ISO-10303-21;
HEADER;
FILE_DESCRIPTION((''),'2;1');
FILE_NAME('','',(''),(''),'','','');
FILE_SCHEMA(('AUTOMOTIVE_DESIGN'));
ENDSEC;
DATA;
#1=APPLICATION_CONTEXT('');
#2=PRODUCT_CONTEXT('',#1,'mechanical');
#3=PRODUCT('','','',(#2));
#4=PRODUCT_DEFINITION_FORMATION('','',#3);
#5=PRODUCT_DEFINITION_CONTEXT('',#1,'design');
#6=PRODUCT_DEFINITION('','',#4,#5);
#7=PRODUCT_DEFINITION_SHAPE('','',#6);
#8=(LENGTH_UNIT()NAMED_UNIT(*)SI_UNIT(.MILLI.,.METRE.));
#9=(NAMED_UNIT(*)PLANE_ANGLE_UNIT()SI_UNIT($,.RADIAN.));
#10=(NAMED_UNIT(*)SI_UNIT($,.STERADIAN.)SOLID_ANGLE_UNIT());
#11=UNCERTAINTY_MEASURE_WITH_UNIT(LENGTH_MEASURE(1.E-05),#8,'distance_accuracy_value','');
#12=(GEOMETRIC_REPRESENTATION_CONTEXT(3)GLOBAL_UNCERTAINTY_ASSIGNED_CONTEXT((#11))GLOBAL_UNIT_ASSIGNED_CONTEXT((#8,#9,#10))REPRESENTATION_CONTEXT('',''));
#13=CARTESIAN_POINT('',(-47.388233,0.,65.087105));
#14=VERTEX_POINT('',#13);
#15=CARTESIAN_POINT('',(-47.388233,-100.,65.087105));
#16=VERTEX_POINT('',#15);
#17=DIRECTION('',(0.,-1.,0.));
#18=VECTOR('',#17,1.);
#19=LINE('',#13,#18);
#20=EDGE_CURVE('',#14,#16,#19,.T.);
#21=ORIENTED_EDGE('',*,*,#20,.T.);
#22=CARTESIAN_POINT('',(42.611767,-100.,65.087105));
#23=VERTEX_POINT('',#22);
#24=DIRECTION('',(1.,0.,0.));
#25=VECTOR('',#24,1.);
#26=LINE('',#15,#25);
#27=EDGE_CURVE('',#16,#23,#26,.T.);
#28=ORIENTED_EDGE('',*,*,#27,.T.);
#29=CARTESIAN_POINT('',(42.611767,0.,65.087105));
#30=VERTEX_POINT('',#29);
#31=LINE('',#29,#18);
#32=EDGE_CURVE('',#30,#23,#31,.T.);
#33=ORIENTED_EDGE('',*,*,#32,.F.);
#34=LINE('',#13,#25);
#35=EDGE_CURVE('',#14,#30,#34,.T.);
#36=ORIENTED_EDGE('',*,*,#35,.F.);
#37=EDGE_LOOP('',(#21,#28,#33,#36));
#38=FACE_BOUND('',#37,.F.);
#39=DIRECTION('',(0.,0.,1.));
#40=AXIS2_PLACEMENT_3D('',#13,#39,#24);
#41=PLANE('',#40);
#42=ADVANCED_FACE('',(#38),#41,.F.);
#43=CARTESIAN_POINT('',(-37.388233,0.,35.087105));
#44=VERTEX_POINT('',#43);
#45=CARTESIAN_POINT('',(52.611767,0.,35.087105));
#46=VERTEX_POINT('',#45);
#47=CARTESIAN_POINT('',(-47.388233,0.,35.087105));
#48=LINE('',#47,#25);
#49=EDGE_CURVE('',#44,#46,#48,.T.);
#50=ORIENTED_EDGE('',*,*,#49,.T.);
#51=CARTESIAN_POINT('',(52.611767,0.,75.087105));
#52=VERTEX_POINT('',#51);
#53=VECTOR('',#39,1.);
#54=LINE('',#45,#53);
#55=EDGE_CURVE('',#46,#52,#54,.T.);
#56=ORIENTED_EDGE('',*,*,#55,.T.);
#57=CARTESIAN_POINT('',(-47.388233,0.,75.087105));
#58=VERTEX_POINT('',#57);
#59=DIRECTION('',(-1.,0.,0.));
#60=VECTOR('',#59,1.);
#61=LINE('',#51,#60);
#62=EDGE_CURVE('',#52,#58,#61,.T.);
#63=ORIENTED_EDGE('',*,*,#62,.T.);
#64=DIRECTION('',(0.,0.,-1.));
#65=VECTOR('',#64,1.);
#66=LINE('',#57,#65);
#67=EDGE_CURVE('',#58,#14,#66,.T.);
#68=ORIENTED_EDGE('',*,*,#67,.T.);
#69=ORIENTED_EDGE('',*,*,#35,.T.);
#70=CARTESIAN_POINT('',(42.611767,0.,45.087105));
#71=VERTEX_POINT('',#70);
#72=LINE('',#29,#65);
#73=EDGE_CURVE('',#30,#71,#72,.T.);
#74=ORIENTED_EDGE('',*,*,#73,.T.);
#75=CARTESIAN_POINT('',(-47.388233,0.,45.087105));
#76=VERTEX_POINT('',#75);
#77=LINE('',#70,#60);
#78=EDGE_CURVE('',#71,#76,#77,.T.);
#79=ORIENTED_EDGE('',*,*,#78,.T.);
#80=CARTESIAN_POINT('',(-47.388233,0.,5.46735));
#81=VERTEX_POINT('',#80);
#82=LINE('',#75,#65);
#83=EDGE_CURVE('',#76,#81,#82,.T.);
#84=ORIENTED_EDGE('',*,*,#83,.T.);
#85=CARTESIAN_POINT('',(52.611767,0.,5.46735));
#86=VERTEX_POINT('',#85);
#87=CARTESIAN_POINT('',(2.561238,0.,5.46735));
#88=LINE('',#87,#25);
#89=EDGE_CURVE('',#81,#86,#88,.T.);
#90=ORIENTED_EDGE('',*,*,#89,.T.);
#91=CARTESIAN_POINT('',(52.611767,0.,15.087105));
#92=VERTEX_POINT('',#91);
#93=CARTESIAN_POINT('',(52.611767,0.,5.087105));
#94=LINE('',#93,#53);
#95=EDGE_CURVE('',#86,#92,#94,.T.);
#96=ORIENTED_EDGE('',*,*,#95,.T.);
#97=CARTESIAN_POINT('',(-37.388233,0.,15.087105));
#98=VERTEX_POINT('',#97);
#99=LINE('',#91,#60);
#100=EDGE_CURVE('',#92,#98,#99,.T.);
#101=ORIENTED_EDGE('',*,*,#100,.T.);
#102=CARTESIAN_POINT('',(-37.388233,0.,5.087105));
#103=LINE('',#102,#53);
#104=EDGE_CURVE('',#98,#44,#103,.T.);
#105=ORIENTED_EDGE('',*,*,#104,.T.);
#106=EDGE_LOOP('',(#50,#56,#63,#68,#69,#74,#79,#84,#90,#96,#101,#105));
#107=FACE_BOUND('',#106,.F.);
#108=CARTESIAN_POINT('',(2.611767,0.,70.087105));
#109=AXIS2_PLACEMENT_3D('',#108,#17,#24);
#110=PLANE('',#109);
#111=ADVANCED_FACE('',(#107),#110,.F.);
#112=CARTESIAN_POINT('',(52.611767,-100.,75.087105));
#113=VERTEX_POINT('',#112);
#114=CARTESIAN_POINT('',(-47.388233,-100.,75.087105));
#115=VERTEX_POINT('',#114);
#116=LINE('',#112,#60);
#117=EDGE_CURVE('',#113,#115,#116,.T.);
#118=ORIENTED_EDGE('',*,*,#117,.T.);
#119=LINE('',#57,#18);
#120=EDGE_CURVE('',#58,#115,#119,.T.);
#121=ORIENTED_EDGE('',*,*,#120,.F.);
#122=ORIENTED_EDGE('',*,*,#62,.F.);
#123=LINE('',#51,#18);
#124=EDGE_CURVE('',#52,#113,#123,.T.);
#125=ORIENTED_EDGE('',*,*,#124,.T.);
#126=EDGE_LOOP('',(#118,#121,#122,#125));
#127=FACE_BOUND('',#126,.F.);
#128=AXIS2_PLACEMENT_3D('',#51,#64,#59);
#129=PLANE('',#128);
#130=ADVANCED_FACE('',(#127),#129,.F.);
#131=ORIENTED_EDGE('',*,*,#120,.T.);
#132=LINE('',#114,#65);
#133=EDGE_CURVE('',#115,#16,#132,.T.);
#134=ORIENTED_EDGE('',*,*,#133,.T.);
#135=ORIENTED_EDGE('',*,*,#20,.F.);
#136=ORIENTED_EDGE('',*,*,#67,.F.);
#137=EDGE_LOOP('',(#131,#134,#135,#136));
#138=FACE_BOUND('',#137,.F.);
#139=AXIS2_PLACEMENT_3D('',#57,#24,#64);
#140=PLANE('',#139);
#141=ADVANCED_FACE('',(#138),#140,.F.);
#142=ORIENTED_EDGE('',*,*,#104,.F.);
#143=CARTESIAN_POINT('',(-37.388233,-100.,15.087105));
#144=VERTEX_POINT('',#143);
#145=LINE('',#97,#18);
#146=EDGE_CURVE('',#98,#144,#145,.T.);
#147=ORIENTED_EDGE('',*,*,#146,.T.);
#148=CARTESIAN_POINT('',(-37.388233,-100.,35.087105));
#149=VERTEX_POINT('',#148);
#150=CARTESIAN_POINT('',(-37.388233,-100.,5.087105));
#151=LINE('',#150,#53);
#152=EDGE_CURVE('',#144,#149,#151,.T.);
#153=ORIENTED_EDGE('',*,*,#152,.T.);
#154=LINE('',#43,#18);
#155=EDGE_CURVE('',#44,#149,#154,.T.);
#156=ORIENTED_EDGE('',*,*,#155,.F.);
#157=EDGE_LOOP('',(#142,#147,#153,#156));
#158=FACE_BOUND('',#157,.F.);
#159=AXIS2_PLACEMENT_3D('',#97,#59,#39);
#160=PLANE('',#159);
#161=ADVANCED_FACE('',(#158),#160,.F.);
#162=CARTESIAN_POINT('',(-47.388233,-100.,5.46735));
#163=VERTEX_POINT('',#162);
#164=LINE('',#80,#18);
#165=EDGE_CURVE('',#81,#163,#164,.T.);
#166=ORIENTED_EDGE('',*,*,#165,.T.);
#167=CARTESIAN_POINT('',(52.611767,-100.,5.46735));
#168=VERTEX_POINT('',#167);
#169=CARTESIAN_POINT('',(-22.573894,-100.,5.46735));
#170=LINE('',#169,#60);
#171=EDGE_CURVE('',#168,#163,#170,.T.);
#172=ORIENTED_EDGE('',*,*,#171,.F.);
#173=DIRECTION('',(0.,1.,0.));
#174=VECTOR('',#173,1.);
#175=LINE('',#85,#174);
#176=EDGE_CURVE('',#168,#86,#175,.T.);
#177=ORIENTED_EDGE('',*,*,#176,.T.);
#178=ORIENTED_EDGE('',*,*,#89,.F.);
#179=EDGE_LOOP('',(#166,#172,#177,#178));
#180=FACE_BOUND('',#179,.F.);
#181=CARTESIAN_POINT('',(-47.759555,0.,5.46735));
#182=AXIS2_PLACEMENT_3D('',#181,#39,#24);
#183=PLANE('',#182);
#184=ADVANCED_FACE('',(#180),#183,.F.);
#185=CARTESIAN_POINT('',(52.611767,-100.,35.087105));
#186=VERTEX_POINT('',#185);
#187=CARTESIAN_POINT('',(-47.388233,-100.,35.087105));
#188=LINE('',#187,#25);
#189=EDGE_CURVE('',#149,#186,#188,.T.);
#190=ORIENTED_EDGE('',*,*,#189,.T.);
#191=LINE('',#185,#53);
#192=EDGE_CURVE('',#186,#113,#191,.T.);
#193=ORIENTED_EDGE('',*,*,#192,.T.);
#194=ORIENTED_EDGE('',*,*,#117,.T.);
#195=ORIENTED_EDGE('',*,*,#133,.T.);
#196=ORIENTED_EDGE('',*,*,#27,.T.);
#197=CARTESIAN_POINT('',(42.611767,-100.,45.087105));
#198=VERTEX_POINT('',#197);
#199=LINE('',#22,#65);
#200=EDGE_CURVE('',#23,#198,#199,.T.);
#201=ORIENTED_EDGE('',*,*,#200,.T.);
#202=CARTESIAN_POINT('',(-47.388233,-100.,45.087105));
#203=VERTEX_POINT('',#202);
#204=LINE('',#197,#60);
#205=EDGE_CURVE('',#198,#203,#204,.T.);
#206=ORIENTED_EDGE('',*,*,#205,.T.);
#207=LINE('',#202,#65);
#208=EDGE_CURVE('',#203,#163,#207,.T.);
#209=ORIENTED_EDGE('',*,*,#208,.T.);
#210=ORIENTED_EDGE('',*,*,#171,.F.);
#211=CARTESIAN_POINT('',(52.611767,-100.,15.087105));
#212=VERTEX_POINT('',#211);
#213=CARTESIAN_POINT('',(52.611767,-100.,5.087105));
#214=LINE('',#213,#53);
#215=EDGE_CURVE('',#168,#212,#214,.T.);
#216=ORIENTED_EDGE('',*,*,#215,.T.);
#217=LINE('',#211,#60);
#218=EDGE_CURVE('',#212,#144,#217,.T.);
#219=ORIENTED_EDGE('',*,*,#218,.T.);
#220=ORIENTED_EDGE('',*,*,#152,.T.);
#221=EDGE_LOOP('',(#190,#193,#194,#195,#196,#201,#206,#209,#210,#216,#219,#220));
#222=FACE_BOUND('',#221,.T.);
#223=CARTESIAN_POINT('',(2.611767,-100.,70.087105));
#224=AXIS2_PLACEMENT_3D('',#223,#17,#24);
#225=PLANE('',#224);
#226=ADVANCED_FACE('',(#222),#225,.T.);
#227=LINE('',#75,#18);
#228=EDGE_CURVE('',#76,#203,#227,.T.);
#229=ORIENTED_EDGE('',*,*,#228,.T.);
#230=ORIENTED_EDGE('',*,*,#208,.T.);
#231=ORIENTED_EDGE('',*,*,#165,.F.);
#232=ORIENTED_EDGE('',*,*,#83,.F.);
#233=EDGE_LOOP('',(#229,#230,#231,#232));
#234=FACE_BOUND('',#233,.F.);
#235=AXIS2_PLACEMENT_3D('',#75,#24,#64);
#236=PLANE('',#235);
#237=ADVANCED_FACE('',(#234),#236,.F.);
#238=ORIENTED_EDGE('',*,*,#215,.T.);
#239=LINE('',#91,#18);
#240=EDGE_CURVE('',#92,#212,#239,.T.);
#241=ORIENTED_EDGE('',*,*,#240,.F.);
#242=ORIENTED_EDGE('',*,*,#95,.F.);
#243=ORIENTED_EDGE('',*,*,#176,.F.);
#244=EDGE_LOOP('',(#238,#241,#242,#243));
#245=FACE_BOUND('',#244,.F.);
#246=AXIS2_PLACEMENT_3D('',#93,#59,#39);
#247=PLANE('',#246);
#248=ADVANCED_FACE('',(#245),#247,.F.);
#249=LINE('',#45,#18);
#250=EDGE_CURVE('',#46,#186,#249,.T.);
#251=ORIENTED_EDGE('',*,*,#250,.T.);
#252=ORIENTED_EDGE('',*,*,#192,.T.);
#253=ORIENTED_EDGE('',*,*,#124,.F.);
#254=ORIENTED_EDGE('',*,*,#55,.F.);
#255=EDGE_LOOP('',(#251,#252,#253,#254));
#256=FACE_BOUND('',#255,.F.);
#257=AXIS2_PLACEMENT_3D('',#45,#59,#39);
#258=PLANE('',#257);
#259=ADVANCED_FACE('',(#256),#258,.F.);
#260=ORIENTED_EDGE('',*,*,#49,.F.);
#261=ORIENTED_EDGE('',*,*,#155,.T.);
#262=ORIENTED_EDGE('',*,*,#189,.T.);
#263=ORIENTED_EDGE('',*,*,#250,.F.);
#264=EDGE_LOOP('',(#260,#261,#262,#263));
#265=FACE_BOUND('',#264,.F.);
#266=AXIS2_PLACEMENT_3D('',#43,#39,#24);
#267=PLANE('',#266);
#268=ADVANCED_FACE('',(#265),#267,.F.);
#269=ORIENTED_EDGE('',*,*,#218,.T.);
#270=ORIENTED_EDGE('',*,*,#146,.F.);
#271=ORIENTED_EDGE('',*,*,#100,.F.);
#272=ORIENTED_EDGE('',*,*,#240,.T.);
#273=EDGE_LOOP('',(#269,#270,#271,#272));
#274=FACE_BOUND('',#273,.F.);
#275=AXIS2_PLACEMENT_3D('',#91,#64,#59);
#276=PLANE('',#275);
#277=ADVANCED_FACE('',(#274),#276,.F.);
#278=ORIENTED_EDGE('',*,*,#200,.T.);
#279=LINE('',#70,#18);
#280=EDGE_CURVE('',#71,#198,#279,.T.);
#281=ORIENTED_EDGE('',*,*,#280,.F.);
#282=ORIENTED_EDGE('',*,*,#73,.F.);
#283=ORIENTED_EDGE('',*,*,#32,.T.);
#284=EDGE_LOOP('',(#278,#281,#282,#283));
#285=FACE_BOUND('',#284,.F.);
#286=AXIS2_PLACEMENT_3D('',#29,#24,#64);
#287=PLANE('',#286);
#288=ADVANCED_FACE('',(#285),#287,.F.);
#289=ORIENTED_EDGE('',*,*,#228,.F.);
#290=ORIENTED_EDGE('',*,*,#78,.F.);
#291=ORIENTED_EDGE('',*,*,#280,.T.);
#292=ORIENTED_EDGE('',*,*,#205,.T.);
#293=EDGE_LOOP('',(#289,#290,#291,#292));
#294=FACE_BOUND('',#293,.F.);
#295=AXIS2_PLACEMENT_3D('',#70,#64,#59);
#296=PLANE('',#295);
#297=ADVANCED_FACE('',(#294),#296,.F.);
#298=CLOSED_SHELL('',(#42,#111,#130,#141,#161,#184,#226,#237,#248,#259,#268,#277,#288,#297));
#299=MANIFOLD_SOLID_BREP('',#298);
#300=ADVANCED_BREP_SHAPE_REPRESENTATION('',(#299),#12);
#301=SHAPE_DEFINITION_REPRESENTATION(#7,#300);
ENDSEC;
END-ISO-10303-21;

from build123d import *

# Parameters (mm, degrees)
F1_DEPTH = 100
F2_W     = 100.641586
F2_H     = 30.433534
F3_DEPTH = 200


with BuildPart() as f1:
    # F0 (on Front) → F1 (new body)
    with BuildSketch(Plane.XZ):
        Polygon((52.611767, 75.087105), (-47.388233, 75.087105), (-47.388233, 65.087105), (42.611767, 65.087105), (52.611767, 65.087105), align=None)
        Polygon((52.611767, 35.087105), (52.611767, 65.087105), (42.611767, 65.087105), (42.611767, 45.087105), (42.611767, 35.087105), align=None)
        Polygon((42.611767, 35.087105), (42.611767, 45.087105), (-47.388233, 45.087105), (-47.388233, 35.087105), (-37.388233, 35.087105), align=None)
        Polygon((-37.388233, 15.087105), (-37.388233, 35.087105), (-47.388233, 35.087105), (-47.388233, 5.087105), (-37.388233, 5.087105), align=None)
        Polygon((52.611767, 15.087105), (-37.388233, 15.087105), (-37.388233, 5.087105), (42.611767, 5.087105), (52.611767, 5.087105), align=None)
    extrude(amount=F1_DEPTH)

    # F2 (on Front) → F3 (cut)
    with BuildSketch(Plane.XZ):
        with Locations((2.561238, -9.749417)):
            Rectangle(F2_W, F2_H)
    extrude(amount=F3_DEPTH, mode=Mode.SUBTRACT)


solid = f1.part
